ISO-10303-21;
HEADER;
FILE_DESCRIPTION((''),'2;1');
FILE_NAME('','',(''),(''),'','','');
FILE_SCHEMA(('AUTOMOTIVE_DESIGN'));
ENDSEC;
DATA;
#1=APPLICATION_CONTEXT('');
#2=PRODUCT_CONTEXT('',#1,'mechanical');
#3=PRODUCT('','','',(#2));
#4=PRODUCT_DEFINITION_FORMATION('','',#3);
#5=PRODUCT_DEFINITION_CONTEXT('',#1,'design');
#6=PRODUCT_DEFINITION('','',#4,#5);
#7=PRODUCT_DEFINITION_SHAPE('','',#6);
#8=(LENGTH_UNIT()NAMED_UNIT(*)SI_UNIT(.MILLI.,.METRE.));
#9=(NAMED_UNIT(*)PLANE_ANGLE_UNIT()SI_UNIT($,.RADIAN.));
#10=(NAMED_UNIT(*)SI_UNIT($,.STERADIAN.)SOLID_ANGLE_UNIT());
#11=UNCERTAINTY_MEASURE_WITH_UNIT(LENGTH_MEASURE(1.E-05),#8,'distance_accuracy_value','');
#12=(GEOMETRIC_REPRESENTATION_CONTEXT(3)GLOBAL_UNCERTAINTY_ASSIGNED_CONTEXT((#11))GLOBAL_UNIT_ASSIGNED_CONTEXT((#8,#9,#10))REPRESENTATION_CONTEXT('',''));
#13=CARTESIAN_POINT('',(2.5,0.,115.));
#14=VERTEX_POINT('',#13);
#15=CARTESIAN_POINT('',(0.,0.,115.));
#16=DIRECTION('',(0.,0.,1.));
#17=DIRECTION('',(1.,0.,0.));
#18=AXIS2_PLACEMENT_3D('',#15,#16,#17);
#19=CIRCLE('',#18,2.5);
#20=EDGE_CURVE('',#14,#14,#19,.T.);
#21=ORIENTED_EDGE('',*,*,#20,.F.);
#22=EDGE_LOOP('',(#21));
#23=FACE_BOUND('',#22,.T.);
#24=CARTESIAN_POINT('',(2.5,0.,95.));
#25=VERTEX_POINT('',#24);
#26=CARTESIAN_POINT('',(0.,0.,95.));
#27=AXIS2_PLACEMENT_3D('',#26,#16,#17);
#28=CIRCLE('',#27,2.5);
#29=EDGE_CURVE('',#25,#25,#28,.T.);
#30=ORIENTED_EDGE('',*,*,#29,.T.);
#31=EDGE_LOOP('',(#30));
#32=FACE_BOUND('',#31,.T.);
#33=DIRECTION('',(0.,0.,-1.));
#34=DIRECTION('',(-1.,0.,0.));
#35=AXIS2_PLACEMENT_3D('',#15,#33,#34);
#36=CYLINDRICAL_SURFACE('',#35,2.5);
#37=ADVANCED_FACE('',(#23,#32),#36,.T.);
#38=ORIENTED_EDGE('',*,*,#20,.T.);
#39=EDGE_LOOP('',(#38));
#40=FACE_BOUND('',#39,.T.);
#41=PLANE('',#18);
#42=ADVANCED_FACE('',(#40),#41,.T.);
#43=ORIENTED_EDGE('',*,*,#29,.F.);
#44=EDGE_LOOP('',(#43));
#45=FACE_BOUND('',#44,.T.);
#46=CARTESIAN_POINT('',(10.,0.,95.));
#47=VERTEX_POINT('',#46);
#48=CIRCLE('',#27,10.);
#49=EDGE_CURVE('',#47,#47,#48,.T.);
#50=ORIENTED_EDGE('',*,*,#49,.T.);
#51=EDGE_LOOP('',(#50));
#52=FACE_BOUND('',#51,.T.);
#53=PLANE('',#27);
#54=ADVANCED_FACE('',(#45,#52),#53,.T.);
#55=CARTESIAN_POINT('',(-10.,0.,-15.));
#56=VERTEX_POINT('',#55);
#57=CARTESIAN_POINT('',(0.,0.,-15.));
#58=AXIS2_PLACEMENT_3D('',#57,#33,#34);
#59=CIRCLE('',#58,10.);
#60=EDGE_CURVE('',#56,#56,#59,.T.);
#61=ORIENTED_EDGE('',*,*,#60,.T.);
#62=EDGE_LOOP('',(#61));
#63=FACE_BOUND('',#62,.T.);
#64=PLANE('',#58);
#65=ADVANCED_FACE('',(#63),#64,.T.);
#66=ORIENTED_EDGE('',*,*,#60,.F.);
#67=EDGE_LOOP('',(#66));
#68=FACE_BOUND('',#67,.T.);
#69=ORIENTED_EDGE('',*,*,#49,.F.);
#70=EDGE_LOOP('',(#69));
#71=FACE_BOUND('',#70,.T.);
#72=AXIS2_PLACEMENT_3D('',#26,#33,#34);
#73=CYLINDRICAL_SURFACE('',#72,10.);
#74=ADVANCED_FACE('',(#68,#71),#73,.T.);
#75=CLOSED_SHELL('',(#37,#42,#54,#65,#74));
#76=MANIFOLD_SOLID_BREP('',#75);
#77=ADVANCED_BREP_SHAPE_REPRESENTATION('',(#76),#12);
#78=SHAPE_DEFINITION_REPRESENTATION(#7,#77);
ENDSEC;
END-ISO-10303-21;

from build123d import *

# Parameters (mm, degrees)
SKETCH2_R           = 10
BOSS_EXTRUDE1_DEPTH = 95
BOSS_EXTRUDE2_START = 15
SKETCH3_R           = 10
BOSS_EXTRUDE2_DEPTH = 15
SKETCH5_R           = 2.5
BOSS_EXTRUDE3_DEPTH = 20


with BuildPart() as part:
    # Sketch2 → Boss-Extrude1 (new body)
    with BuildSketch(Plane.XY):
        Circle(SKETCH2_R)
    extrude(amount=BOSS_EXTRUDE1_DEPTH)

    # Sketch3 → Boss-Extrude2 (add)
    with BuildSketch(Plane(origin=(0, 0, 0), x_dir=(-1, 0, 0), z_dir=(0, 0, -1)).offset(BOSS_EXTRUDE2_START)):
        Circle(SKETCH3_R)
    extrude(amount=-BOSS_EXTRUDE2_DEPTH)

    # Sketch5 → Boss-Extrude3 (add)
    with BuildSketch(Plane.XY.offset(95)):
        Circle(SKETCH5_R)
    extrude(amount=BOSS_EXTRUDE3_DEPTH)


solid = part.part
